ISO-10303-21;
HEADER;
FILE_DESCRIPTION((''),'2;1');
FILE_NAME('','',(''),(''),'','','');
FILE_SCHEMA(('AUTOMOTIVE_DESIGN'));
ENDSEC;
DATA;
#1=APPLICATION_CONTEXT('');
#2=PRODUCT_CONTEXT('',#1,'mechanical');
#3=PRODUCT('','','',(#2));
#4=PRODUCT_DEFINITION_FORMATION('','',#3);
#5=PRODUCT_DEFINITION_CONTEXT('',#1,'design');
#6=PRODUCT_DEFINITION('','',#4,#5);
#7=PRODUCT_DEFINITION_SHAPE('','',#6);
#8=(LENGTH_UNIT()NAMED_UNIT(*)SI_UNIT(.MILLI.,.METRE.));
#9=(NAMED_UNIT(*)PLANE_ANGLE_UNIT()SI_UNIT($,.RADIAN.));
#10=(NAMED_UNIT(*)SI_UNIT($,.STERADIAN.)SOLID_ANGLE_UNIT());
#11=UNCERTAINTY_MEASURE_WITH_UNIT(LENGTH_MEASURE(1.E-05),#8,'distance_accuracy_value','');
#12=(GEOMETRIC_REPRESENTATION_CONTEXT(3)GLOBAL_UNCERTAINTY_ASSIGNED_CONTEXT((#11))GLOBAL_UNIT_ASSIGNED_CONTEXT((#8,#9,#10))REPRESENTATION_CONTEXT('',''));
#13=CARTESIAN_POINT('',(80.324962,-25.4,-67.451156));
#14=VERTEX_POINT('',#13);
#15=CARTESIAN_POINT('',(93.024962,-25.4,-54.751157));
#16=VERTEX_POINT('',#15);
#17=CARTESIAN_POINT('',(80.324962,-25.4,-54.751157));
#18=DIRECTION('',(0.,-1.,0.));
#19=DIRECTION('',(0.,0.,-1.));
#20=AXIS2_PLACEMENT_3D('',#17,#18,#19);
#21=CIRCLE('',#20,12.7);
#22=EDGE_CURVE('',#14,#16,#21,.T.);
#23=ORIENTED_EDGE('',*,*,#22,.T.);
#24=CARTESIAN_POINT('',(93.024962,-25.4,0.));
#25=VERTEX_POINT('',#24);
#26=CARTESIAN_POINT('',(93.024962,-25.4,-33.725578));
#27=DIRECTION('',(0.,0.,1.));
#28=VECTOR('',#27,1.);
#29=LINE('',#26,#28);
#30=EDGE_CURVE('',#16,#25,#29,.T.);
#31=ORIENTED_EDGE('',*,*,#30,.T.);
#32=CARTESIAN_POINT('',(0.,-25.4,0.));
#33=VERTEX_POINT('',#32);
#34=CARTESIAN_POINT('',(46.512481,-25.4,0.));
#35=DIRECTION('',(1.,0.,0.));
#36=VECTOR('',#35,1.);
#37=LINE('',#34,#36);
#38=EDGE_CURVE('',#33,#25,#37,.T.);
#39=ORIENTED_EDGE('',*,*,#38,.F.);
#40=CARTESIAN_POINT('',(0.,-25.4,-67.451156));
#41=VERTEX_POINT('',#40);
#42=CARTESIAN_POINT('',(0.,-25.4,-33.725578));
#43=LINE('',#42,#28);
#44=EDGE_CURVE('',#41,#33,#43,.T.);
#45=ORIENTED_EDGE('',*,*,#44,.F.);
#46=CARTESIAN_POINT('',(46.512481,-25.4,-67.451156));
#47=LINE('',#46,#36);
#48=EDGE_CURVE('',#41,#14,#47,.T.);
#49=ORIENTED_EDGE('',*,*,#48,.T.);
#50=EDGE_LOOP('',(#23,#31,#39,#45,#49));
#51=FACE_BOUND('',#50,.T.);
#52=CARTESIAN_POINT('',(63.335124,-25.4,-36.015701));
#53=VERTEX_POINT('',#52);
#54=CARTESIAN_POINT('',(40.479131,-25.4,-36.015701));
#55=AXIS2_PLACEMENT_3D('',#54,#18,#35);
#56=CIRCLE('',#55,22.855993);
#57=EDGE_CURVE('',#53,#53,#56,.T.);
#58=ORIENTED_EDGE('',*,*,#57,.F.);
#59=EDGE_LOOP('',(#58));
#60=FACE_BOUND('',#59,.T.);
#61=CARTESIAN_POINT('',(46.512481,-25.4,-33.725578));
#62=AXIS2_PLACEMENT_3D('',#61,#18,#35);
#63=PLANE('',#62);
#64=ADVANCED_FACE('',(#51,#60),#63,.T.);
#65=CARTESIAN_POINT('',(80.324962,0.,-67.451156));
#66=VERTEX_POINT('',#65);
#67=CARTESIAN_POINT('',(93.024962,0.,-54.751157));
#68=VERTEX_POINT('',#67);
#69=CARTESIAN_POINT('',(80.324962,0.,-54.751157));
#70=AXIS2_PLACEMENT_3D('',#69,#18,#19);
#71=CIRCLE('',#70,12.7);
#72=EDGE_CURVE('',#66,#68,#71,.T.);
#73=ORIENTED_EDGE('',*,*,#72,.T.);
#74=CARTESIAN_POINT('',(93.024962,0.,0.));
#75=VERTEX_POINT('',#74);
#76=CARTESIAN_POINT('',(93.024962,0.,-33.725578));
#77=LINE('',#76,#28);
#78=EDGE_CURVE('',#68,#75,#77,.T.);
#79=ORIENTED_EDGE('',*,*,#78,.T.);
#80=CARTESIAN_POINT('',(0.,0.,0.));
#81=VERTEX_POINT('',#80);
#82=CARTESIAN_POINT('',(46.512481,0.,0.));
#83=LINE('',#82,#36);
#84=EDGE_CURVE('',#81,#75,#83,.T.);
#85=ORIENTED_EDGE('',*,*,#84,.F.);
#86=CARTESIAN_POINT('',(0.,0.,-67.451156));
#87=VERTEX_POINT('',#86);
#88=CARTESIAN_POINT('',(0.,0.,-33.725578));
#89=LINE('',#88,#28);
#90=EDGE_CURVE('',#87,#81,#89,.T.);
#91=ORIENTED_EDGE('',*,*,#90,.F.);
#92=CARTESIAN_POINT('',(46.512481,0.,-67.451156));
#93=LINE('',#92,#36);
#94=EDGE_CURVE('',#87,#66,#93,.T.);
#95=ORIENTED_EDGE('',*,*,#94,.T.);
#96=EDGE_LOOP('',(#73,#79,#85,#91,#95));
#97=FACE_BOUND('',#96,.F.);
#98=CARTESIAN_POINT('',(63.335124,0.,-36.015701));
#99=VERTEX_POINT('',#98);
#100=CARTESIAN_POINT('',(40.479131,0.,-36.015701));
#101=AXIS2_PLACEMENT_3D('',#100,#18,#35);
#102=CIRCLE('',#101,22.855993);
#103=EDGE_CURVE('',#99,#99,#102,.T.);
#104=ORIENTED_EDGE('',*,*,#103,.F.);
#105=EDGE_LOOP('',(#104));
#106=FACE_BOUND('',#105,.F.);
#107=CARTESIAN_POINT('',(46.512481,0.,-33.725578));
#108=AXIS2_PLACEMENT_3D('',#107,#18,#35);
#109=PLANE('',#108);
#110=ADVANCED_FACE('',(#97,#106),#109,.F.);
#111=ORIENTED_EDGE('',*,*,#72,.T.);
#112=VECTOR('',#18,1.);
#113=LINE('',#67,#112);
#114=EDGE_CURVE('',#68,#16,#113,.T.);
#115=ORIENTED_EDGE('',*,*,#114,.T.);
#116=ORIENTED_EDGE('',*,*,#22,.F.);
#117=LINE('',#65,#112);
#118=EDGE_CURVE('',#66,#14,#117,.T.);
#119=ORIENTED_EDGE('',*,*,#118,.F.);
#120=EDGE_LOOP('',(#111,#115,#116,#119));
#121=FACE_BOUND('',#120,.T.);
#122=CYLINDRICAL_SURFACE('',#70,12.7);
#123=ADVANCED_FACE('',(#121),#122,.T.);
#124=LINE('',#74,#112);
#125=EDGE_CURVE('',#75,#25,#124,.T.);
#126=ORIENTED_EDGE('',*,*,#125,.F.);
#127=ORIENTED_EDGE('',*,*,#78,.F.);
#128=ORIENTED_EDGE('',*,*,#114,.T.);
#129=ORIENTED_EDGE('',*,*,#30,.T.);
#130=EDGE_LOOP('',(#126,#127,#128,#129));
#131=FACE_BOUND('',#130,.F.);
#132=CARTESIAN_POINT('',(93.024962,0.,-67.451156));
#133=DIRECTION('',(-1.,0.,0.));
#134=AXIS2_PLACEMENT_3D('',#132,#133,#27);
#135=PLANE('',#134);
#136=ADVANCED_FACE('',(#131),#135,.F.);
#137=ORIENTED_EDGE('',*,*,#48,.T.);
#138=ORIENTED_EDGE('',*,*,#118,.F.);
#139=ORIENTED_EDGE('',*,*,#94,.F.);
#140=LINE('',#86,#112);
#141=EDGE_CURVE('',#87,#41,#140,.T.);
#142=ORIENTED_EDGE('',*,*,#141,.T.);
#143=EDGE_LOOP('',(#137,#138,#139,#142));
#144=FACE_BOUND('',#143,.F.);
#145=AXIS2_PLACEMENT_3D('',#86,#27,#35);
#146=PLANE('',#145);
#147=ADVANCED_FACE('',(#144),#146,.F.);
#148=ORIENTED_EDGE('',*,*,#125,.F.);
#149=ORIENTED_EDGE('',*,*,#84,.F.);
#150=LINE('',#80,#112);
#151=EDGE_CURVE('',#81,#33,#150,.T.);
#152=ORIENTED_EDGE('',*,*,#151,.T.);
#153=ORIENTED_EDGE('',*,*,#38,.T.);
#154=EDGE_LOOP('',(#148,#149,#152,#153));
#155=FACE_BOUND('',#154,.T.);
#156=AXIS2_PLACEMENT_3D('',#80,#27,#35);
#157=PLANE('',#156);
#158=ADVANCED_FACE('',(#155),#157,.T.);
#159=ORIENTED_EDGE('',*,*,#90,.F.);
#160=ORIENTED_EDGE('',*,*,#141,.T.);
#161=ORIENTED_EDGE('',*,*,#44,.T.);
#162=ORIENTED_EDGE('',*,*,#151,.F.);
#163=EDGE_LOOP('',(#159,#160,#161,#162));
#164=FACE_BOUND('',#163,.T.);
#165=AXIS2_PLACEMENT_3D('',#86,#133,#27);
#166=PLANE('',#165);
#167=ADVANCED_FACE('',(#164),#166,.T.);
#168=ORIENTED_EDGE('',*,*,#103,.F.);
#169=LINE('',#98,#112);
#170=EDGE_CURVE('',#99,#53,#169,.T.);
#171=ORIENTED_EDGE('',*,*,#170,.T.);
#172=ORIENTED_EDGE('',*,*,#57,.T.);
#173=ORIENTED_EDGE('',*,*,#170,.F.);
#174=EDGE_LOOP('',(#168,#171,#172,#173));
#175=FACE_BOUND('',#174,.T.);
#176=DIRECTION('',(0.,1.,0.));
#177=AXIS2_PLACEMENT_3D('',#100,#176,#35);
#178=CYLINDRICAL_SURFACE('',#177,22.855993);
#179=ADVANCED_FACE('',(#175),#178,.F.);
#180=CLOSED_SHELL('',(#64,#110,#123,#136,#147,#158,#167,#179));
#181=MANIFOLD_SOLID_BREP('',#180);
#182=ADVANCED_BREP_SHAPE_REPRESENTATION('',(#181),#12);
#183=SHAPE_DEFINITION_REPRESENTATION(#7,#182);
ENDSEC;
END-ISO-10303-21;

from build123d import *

# Parameters (mm, degrees)
F0_W     = 93.024962
F0_H     = 67.451157
F2_DEPTH = 25.4
F3_R     = 12.7
F4_R     = 22.855993
F5_DEPTH = 25.4


with BuildPart() as f2:
    # F0 (on Front) → F2 (new body)
    with BuildSketch(Plane.XZ):
        with Locations((46.512481, -33.725578)):
            Rectangle(F0_W, F0_H)
    extrude(amount=F2_DEPTH)

    # F3
    f3_edges = [f2.edges().sort_by_distance(p)[0] for p in [
        (93.024962, -12.7, -67.451157),
    ]]
    fillet(f3_edges, radius=F3_R)

    # F4 (on face) → F5 (cut)
    with BuildSketch(Plane.XZ):
        with Locations((40.479131, -36.015701)):
            Circle(F4_R)
    extrude(amount=F5_DEPTH, mode=Mode.SUBTRACT)


solid = f2.part
